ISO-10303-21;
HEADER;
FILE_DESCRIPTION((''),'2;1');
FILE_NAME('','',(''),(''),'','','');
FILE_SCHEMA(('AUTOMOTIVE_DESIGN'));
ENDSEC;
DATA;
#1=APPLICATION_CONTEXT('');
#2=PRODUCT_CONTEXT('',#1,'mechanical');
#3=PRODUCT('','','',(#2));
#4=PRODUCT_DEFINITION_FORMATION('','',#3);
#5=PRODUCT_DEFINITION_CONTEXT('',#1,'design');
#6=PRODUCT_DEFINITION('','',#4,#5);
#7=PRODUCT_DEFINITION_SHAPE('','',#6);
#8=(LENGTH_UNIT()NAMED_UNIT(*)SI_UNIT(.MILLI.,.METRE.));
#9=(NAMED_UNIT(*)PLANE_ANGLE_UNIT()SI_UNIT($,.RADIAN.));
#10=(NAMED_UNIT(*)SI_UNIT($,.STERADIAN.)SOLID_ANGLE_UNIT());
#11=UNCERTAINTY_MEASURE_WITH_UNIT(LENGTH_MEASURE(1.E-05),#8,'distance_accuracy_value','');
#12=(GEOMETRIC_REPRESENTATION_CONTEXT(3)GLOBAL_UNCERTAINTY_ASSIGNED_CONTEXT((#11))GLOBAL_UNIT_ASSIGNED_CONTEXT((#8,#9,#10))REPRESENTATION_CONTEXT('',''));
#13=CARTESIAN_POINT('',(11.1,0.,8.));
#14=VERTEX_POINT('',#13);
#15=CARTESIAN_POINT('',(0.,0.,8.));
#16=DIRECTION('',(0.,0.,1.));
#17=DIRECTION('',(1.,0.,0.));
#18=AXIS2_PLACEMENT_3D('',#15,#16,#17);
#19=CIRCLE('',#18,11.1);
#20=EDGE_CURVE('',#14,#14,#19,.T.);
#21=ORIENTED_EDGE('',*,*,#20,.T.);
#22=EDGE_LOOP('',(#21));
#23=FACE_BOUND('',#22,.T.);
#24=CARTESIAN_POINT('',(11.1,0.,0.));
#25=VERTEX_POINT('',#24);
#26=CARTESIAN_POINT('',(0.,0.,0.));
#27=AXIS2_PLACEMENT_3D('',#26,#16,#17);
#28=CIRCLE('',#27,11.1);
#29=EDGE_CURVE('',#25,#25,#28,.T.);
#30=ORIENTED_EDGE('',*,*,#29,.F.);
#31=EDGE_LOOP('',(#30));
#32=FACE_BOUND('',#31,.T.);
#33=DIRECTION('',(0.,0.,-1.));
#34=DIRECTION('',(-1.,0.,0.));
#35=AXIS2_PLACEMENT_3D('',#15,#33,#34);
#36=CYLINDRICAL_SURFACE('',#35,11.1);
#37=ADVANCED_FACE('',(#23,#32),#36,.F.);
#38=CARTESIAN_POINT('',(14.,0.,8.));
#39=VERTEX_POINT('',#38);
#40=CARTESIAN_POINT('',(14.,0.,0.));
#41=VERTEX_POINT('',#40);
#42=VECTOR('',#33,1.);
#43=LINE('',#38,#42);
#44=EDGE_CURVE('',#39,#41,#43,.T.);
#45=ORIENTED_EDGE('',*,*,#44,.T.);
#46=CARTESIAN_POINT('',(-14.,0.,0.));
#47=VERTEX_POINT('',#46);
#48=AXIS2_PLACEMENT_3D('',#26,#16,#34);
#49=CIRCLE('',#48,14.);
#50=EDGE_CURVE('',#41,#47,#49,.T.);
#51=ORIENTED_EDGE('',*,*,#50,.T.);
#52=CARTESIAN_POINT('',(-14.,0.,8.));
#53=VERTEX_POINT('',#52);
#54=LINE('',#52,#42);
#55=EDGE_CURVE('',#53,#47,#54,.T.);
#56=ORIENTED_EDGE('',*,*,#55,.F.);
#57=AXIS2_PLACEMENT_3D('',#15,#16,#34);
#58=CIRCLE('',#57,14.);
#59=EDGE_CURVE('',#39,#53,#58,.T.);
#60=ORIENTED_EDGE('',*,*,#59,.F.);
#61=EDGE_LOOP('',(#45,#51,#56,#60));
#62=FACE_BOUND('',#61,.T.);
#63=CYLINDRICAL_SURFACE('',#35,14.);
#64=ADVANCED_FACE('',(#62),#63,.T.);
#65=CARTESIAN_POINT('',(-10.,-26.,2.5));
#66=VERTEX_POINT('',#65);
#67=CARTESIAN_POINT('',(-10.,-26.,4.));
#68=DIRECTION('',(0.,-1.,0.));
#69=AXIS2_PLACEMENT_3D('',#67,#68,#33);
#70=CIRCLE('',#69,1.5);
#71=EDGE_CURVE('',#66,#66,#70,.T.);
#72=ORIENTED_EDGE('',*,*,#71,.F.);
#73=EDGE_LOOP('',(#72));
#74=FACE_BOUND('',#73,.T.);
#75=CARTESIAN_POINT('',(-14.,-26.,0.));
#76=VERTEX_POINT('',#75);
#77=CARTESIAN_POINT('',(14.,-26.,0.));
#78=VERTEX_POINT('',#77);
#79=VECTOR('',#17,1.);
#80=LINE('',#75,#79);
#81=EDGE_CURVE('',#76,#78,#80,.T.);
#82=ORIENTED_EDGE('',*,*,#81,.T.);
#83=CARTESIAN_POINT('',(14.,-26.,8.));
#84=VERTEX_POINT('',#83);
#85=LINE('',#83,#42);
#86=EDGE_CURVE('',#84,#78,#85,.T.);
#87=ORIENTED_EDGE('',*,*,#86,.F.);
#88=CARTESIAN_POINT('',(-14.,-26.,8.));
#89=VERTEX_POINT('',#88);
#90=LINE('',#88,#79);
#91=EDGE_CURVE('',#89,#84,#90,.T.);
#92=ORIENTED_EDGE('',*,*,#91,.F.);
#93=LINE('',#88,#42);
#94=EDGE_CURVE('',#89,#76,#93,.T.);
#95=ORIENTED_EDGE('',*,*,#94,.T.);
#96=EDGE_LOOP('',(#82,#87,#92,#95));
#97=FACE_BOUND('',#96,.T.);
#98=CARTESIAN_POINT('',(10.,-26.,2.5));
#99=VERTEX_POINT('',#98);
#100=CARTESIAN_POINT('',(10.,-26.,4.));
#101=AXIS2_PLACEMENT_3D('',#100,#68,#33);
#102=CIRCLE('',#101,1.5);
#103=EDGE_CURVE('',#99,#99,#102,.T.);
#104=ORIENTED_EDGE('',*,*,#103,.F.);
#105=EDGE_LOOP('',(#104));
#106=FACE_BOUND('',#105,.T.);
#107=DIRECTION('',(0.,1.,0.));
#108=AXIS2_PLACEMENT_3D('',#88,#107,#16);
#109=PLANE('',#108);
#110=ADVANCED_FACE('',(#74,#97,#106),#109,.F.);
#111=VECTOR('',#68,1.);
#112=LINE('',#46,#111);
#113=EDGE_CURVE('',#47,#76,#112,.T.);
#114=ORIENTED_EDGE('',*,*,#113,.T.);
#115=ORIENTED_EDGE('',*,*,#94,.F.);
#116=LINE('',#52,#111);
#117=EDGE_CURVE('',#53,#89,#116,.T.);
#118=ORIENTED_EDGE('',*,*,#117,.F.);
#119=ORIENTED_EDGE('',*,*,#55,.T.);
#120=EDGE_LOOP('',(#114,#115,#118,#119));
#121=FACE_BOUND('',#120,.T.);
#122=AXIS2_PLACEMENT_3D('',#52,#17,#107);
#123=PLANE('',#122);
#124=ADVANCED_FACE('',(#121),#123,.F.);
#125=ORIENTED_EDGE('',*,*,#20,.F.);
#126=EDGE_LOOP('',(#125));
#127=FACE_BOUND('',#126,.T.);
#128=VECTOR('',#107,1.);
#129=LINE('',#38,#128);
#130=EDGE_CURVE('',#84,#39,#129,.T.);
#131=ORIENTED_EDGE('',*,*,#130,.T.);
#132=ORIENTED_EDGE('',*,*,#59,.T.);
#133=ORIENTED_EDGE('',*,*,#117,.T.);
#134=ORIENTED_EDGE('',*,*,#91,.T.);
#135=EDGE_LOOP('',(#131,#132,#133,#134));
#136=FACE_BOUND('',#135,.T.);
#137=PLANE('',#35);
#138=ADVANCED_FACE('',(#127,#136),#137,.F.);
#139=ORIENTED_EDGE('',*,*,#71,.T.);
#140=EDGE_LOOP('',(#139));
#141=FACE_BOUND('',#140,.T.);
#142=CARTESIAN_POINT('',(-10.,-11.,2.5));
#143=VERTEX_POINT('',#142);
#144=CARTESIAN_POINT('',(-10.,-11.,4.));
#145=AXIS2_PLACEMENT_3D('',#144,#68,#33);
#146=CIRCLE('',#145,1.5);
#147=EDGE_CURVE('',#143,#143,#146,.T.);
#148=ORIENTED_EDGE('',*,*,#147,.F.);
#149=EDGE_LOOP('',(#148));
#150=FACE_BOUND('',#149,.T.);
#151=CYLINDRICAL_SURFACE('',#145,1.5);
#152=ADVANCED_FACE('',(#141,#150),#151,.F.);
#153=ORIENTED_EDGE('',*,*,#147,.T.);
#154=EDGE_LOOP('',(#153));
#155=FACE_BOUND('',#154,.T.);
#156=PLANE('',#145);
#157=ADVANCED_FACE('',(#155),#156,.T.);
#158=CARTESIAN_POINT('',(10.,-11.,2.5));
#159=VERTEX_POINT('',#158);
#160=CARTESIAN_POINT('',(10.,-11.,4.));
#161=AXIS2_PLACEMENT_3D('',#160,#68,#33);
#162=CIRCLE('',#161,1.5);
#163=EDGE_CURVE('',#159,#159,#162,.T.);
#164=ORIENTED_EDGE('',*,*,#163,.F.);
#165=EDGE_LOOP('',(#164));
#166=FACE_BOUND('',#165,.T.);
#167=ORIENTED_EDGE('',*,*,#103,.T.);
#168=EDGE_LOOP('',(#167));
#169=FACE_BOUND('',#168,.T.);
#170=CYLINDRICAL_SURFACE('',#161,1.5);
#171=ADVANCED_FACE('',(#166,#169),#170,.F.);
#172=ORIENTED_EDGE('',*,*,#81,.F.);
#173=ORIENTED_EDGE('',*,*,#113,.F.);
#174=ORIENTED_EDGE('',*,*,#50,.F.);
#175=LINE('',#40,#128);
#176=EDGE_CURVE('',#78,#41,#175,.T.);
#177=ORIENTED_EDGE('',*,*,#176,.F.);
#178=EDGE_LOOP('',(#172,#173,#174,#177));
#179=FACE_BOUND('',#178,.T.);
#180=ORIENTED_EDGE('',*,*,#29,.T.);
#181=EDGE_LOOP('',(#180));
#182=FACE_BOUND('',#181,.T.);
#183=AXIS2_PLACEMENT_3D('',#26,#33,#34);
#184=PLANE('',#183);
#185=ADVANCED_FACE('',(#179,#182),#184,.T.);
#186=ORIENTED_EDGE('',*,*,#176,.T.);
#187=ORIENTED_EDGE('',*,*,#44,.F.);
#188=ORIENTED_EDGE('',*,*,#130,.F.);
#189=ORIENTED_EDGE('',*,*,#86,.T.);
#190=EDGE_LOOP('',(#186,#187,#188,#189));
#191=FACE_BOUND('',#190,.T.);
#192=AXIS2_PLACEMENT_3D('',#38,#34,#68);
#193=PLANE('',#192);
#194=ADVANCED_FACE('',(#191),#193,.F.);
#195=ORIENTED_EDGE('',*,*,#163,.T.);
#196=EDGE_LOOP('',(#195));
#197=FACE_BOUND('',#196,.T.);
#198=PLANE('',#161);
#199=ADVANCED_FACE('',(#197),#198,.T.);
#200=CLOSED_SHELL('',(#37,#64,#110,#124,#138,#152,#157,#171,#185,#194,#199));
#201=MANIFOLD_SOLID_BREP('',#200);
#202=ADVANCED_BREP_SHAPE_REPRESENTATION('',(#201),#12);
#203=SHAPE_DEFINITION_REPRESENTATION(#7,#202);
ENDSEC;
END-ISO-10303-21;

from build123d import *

# Parameters (mm, degrees)
ESQUISSE1_R             = 11.1
BOSS_EXTRU_1_DEPTH      = 8
ESQUISSE2_R             = 1.5
ENL_V_MAT_EXTRU_1_DEPTH = 15


with BuildPart() as part:
    # Esquisse1 → Boss.-Extru.1 (new body)
    with BuildSketch(Plane.XY):
        with BuildLine():
            Line((-14, 0), (-14, -26))
            Line((-14, -26), (14, -26))
            Line((14, -26), (14, 0))
            ThreePointArc((14, 0), (0, 14), (-14, 0))
        make_face()
        Circle(ESQUISSE1_R, mode=Mode.SUBTRACT)
    extrude(amount=BOSS_EXTRU_1_DEPTH)

    # Esquisse2 → Enlèv. mat.-Extru.1 (cut)
    with BuildSketch(Plane.XZ.offset(26)):
        with Locations((-10, 4)):
            Circle(ESQUISSE2_R)
        with Locations((10, 4)):
            Circle(ESQUISSE2_R)
    extrude(amount=-ENL_V_MAT_EXTRU_1_DEPTH, mode=Mode.SUBTRACT)


solid = part.part
